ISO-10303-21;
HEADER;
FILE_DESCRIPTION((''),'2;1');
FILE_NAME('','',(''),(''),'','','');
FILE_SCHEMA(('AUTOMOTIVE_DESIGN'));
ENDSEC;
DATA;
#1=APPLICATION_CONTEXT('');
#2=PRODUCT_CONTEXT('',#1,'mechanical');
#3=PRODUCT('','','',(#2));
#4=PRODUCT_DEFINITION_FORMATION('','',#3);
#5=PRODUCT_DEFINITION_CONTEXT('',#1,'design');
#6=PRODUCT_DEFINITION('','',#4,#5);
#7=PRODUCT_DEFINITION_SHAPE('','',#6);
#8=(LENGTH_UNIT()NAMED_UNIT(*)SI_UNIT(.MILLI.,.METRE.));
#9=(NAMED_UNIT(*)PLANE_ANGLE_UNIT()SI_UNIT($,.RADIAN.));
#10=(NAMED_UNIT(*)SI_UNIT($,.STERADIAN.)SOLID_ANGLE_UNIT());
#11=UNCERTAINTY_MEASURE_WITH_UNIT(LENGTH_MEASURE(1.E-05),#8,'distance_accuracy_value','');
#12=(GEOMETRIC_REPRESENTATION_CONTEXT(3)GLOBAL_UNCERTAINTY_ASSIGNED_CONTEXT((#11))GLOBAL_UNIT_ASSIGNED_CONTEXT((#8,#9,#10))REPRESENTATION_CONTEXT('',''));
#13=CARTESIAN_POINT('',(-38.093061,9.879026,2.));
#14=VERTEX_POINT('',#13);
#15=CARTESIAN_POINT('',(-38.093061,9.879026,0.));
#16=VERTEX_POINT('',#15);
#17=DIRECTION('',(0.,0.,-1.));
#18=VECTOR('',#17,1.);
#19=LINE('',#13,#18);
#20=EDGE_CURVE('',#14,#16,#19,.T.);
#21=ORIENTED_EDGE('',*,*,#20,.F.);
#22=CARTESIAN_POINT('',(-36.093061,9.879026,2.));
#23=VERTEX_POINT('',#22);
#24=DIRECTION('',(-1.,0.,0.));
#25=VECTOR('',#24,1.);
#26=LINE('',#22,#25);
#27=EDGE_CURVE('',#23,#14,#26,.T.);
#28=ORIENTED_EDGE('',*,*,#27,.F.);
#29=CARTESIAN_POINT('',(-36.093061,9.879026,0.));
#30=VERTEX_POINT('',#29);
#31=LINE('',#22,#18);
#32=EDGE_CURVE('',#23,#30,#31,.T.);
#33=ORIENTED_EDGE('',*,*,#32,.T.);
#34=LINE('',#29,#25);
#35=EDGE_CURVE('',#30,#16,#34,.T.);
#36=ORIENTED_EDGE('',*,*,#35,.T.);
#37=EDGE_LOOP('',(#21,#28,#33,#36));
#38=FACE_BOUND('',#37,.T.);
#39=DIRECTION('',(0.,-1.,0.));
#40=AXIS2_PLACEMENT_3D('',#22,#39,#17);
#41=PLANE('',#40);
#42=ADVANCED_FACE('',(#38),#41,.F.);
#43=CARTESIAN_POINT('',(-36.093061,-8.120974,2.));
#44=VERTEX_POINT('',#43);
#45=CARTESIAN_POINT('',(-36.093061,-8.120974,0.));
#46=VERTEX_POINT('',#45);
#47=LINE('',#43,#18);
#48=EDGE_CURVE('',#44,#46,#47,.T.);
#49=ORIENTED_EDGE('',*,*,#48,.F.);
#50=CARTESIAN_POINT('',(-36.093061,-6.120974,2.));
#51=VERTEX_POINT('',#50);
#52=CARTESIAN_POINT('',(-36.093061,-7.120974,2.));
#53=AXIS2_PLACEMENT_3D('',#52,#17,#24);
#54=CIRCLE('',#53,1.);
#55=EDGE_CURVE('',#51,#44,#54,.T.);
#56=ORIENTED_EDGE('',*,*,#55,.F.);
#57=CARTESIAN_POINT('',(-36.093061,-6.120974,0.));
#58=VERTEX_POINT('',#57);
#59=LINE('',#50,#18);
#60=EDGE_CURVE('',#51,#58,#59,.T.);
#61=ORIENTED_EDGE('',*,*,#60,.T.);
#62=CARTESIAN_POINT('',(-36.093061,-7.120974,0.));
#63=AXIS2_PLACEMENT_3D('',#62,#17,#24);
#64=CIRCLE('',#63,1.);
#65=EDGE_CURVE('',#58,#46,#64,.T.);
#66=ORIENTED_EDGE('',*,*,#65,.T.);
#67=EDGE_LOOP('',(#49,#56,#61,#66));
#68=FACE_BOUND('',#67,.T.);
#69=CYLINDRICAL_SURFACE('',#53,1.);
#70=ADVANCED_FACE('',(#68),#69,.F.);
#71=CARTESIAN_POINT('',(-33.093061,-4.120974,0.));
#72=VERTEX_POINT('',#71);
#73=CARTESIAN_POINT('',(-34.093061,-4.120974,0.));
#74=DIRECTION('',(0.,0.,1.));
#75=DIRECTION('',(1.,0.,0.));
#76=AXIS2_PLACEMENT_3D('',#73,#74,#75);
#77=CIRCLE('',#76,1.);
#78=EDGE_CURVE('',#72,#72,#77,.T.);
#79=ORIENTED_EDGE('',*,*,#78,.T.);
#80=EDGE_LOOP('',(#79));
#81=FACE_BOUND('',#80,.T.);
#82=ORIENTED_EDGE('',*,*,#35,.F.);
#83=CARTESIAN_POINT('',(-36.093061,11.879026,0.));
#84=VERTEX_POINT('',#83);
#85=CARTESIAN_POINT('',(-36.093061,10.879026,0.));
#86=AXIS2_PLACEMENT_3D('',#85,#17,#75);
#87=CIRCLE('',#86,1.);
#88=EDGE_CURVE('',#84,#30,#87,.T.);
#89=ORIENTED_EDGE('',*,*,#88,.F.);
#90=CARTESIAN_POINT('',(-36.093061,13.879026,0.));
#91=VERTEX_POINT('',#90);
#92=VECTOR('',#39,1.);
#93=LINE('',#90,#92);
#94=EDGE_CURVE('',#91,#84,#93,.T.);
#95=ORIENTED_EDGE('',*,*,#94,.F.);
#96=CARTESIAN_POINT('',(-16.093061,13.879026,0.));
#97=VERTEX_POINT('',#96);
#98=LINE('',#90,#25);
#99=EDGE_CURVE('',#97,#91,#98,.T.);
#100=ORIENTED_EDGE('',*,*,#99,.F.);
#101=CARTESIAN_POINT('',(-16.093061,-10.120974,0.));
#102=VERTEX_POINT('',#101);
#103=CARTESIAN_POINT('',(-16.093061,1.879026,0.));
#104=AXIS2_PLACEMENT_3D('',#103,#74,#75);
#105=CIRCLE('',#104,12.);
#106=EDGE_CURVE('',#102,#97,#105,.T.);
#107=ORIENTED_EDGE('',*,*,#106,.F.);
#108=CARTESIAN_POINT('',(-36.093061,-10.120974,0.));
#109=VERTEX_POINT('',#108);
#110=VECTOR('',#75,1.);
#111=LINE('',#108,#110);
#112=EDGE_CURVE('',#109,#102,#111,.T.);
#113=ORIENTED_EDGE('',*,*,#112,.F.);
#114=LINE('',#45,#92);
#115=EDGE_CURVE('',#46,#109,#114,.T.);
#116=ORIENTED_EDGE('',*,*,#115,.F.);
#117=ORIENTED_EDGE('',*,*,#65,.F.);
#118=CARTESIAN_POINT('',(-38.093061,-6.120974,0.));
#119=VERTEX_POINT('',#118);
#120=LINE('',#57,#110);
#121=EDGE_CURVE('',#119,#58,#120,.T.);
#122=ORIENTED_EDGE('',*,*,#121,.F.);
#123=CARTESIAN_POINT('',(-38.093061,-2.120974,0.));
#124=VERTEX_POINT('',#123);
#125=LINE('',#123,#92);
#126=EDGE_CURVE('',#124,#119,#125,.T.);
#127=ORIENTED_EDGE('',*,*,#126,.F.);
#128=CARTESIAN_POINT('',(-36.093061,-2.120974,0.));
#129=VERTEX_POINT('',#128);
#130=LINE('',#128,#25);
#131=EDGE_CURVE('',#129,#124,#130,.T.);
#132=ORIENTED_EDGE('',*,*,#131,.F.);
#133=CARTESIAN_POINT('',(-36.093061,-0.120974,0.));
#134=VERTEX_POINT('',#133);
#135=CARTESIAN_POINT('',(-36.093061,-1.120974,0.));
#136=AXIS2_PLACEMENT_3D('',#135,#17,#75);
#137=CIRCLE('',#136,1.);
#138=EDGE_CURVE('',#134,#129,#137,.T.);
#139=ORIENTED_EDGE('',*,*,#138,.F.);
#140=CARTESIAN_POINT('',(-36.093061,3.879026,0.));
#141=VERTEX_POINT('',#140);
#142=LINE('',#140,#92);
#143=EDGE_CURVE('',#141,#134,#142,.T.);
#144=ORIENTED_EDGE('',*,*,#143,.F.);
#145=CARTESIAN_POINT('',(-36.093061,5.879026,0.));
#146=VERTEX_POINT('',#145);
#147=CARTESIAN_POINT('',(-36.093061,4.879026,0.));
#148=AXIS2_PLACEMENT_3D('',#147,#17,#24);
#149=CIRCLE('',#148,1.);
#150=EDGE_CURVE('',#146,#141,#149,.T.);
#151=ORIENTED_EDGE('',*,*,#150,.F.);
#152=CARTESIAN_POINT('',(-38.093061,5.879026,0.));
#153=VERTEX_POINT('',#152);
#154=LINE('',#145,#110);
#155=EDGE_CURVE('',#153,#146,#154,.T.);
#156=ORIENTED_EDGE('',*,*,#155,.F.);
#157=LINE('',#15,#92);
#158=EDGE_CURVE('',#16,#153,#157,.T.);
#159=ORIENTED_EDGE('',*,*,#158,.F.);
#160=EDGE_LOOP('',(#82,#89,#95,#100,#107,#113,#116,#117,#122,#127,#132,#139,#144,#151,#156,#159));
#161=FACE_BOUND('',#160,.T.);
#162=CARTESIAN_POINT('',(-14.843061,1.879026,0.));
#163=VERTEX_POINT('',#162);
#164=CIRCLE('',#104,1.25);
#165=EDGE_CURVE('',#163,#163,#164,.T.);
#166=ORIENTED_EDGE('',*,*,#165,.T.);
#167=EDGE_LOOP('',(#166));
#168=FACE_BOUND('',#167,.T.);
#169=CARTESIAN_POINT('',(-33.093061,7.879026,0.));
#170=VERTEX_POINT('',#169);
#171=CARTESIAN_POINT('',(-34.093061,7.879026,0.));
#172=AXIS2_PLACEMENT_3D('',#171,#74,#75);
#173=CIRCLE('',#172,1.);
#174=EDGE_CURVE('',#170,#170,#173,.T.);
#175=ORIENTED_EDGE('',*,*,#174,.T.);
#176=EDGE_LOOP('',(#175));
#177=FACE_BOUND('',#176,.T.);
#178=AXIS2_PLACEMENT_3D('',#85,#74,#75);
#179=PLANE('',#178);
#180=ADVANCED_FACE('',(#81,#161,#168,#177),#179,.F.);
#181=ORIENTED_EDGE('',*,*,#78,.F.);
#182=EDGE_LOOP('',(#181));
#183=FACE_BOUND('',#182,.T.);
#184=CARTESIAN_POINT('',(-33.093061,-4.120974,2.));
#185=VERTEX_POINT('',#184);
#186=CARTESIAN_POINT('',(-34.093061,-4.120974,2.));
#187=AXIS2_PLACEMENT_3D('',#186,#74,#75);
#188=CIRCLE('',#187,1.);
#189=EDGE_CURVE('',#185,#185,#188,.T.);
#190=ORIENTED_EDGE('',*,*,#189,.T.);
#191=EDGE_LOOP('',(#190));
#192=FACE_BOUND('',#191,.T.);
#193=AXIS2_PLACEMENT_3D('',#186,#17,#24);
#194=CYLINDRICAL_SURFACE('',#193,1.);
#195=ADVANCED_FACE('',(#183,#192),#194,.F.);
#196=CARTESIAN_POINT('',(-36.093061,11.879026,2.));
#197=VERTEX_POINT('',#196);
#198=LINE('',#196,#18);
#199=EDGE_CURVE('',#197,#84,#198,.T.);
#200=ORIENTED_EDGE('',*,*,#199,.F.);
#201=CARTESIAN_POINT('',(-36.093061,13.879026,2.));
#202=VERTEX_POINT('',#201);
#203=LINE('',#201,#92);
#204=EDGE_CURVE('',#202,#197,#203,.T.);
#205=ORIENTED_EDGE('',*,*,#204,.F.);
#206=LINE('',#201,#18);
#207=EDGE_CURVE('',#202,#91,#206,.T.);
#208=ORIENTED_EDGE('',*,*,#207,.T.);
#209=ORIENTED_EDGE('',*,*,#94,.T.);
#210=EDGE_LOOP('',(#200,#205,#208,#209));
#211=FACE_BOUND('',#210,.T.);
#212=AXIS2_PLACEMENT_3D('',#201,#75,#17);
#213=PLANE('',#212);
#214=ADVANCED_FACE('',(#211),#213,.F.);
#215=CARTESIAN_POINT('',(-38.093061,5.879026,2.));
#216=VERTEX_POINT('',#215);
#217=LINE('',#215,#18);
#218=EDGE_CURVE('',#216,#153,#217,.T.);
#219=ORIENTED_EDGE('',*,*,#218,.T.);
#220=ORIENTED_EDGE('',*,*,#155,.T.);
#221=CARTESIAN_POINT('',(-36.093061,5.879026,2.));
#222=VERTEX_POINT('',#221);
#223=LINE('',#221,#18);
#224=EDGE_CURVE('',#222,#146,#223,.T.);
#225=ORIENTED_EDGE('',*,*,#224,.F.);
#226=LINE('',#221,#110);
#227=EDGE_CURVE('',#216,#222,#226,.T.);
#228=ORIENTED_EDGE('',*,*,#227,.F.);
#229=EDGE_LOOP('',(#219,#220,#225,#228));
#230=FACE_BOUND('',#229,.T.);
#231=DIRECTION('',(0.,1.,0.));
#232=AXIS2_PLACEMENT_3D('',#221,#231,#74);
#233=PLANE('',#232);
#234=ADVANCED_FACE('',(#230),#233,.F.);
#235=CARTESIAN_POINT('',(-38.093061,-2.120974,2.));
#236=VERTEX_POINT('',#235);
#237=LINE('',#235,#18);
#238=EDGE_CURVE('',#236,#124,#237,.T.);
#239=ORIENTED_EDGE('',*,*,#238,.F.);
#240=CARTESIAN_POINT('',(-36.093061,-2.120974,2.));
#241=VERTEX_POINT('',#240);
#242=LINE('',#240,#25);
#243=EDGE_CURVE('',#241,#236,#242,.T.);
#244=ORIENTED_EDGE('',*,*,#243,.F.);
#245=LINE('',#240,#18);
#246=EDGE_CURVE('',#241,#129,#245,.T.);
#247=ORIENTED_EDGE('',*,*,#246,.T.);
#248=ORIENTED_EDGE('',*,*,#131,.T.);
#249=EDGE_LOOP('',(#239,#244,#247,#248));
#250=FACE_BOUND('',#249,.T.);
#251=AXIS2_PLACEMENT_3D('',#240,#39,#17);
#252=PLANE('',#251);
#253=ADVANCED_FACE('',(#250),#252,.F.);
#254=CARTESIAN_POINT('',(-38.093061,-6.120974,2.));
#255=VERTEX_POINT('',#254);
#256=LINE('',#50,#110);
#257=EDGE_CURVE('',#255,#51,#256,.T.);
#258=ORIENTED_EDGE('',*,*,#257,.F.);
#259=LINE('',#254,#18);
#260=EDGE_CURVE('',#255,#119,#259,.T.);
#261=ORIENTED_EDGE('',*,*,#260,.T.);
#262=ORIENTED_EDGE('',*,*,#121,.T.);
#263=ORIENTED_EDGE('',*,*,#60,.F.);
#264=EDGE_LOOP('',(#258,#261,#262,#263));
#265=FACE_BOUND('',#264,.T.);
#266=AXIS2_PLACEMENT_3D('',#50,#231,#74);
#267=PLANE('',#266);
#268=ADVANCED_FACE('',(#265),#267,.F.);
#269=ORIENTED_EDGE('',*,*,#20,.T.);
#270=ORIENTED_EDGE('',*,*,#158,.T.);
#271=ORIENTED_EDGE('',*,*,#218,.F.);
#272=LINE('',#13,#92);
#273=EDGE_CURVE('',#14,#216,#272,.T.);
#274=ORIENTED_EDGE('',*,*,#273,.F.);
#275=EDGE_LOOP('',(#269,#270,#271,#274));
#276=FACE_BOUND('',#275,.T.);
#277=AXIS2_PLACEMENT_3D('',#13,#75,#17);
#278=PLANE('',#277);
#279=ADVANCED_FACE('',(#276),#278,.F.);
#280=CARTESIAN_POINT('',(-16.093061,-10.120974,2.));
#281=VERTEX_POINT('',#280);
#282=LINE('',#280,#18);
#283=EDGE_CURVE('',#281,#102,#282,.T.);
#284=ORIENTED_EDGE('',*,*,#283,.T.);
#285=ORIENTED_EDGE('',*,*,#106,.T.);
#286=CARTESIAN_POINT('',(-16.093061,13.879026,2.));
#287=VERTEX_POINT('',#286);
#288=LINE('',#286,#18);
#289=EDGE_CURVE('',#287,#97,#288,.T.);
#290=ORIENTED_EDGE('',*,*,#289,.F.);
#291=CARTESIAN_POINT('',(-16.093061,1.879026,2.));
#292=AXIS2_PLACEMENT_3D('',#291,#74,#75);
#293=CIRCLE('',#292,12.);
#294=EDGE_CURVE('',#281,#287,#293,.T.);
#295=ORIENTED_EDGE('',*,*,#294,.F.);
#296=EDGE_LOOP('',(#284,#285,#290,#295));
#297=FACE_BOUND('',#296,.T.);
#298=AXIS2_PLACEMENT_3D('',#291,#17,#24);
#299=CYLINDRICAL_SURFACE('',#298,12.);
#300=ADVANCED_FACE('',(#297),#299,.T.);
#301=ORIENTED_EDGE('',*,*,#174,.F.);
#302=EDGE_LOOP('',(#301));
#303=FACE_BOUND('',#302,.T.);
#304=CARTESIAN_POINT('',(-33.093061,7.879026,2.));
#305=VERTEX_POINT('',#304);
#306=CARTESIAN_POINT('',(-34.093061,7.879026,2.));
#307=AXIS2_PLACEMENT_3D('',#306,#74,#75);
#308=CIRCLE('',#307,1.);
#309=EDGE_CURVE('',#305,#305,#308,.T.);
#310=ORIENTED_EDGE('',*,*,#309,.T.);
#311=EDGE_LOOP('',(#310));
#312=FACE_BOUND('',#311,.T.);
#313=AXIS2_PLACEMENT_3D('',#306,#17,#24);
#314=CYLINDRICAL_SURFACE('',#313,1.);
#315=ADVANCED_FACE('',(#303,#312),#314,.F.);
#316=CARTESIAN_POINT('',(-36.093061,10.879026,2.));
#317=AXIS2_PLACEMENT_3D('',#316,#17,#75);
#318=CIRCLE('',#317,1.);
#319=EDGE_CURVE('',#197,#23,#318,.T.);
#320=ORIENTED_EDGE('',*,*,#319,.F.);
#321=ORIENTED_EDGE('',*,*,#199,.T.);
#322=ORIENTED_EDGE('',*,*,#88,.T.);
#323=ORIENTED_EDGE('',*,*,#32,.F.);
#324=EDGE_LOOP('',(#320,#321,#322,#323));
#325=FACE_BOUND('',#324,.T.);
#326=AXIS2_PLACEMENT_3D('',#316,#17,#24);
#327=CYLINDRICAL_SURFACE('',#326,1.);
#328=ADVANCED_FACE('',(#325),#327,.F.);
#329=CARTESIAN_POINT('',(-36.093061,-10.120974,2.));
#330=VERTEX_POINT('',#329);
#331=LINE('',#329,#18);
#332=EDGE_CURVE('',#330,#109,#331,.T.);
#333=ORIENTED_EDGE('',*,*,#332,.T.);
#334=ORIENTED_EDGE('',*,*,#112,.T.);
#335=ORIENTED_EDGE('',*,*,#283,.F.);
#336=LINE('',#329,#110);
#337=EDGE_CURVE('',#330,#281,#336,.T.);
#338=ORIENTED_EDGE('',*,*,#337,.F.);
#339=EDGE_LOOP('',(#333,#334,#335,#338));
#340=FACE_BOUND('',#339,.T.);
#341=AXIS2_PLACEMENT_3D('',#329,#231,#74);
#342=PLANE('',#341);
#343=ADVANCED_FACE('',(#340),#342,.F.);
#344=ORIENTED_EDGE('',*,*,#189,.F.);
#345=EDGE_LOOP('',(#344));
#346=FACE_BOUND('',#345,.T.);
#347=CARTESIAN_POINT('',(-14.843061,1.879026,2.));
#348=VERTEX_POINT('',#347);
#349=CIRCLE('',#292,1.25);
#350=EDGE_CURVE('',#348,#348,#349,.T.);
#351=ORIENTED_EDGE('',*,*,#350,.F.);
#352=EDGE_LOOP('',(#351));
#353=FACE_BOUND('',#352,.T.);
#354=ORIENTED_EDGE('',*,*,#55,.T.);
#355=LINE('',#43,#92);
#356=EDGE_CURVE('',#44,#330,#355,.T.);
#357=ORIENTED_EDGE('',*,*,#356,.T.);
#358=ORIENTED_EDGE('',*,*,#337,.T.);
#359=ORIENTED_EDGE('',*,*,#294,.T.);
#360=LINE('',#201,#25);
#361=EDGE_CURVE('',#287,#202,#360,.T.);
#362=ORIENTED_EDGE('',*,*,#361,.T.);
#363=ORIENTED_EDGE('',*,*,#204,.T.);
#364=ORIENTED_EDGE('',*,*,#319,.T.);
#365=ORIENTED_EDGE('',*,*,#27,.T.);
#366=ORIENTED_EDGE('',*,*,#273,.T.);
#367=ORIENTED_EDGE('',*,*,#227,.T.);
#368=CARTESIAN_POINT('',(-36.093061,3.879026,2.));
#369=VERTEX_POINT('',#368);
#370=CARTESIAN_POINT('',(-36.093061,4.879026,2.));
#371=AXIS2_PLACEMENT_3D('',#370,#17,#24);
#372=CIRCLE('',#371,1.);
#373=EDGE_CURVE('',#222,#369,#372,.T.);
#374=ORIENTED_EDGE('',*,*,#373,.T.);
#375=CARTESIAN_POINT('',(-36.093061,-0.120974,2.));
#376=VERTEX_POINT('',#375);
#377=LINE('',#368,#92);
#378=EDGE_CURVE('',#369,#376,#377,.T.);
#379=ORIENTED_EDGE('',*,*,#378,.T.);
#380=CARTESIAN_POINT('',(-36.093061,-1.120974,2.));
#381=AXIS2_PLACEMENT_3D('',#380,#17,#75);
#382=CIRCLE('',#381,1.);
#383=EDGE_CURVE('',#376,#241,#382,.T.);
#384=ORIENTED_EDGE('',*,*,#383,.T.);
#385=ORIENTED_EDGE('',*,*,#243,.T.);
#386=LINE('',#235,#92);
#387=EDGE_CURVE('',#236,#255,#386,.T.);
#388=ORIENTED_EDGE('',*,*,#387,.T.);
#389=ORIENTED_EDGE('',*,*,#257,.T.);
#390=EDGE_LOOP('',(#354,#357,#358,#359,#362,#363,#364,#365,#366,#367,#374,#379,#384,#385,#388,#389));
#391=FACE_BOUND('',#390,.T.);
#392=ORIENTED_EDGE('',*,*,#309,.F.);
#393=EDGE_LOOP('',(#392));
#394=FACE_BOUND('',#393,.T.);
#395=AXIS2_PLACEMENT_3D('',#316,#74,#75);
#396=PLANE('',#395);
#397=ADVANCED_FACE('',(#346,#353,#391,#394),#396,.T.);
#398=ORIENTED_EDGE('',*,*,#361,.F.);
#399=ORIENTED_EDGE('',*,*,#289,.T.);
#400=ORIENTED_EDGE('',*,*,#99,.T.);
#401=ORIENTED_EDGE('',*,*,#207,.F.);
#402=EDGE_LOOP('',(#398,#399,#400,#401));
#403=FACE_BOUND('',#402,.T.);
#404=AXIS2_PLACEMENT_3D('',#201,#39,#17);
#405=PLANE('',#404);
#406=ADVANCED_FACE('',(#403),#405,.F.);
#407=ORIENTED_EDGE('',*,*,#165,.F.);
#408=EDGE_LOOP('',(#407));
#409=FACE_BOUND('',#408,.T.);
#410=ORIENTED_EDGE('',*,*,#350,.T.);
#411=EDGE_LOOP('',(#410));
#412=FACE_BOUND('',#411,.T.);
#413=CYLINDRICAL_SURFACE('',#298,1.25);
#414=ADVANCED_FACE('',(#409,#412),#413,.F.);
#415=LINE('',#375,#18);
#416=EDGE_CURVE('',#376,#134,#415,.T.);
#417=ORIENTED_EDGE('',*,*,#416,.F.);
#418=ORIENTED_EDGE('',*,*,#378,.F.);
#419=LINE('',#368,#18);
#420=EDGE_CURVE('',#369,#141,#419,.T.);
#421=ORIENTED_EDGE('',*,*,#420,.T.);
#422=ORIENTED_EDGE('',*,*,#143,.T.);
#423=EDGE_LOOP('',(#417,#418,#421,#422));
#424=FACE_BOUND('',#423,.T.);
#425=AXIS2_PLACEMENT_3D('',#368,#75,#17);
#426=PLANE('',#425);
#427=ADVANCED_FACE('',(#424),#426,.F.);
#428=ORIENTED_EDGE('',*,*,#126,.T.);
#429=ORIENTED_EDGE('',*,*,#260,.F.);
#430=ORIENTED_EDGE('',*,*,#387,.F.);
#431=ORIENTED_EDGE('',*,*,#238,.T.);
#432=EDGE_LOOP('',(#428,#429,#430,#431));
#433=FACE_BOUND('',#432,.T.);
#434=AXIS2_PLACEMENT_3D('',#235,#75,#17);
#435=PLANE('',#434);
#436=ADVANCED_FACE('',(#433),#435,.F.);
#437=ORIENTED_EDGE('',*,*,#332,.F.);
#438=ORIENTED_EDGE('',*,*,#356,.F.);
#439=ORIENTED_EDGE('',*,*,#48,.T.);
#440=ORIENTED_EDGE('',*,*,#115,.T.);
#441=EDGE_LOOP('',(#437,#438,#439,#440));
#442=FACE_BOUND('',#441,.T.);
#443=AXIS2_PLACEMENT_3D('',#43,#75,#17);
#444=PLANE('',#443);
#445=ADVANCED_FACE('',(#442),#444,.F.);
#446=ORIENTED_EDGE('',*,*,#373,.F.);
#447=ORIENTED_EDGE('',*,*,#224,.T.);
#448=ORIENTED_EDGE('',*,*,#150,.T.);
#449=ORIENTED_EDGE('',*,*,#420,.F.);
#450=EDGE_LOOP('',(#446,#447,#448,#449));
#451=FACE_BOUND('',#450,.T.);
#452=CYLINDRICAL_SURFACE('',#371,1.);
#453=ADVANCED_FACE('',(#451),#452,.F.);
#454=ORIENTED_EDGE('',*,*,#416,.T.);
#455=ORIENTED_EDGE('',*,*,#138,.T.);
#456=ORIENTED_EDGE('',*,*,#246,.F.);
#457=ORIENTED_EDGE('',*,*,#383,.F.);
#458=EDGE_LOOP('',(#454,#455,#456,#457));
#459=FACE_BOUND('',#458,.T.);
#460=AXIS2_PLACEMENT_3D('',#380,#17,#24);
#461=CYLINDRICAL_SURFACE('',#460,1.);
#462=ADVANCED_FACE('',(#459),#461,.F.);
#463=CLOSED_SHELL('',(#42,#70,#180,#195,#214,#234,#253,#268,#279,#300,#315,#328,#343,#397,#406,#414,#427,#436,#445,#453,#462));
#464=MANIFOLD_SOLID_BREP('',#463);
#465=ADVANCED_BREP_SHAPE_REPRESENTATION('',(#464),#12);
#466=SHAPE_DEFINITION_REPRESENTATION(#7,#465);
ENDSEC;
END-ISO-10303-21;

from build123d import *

# Parameters (mm, degrees)
SKETCH_1_R      = 1.25
SKETCH_1_R_2    = 1
EXTRUDE_1_DEPTH = 2


with BuildPart() as part:
    # 草圖1 → 填料-伸長1 (new body)
    with BuildSketch(Plane.XY):
        with BuildLine():
            Line((-36.093061493, 13.879025542), (-16.093061493, 13.879025542))
            ThreePointArc((-16.093061493, 13.879025542), (-4.093061493, 1.879025542), (-16.093061493, -10.120974458))
            Line((-16.093061493, -10.120974458), (-36.093061493, -10.120974458))
            Line((-36.093061493, -10.120974458), (-36.093061493, -8.120974458))
            ThreePointArc((-36.093061493, -8.120974458), (-35.093061493, -7.120974458), (-36.093061493, -6.120974458))
            Line((-36.093061493, -6.120974458), (-38.093061493, -6.120974458))
            Line((-38.093061493, -6.120974458), (-38.093061493, -2.120974458))
            Line((-38.093061493, -2.120974458), (-36.093061493, -2.120974458))
            ThreePointArc((-36.093061493, -2.120974458), (-35.093061493, -1.120974458), (-36.093061493, -0.120974458))
            Line((-36.093061493, -0.120974458), (-36.093061493, 3.879025542))
            ThreePointArc((-36.093061493, 3.879025542), (-35.093061493, 4.879025542), (-36.093061493, 5.879025542))
            Line((-36.093061493, 5.879025542), (-38.093061493, 5.879025542))
            Line((-38.093061493, 5.879025542), (-38.093061493, 9.879025542))
            Line((-38.093061493, 9.879025542), (-36.093061493, 9.879025542))
            ThreePointArc((-36.093061493, 9.879025542), (-35.093061493, 10.879025542), (-36.093061493, 11.879025542))
            Line((-36.093061493, 11.879025542), (-36.093061493, 13.879025542))
        make_face()
        with Locations((-16.093061493, 1.879025542)):
            Circle(SKETCH_1_R, mode=Mode.SUBTRACT)
        with Locations((-34.093061493, 7.879025542)):
            Circle(SKETCH_1_R_2, mode=Mode.SUBTRACT)
        with Locations((-34.093061493, -4.120974458)):
            Circle(SKETCH_1_R_2, mode=Mode.SUBTRACT)
    extrude(amount=EXTRUDE_1_DEPTH)


solid = part.part
